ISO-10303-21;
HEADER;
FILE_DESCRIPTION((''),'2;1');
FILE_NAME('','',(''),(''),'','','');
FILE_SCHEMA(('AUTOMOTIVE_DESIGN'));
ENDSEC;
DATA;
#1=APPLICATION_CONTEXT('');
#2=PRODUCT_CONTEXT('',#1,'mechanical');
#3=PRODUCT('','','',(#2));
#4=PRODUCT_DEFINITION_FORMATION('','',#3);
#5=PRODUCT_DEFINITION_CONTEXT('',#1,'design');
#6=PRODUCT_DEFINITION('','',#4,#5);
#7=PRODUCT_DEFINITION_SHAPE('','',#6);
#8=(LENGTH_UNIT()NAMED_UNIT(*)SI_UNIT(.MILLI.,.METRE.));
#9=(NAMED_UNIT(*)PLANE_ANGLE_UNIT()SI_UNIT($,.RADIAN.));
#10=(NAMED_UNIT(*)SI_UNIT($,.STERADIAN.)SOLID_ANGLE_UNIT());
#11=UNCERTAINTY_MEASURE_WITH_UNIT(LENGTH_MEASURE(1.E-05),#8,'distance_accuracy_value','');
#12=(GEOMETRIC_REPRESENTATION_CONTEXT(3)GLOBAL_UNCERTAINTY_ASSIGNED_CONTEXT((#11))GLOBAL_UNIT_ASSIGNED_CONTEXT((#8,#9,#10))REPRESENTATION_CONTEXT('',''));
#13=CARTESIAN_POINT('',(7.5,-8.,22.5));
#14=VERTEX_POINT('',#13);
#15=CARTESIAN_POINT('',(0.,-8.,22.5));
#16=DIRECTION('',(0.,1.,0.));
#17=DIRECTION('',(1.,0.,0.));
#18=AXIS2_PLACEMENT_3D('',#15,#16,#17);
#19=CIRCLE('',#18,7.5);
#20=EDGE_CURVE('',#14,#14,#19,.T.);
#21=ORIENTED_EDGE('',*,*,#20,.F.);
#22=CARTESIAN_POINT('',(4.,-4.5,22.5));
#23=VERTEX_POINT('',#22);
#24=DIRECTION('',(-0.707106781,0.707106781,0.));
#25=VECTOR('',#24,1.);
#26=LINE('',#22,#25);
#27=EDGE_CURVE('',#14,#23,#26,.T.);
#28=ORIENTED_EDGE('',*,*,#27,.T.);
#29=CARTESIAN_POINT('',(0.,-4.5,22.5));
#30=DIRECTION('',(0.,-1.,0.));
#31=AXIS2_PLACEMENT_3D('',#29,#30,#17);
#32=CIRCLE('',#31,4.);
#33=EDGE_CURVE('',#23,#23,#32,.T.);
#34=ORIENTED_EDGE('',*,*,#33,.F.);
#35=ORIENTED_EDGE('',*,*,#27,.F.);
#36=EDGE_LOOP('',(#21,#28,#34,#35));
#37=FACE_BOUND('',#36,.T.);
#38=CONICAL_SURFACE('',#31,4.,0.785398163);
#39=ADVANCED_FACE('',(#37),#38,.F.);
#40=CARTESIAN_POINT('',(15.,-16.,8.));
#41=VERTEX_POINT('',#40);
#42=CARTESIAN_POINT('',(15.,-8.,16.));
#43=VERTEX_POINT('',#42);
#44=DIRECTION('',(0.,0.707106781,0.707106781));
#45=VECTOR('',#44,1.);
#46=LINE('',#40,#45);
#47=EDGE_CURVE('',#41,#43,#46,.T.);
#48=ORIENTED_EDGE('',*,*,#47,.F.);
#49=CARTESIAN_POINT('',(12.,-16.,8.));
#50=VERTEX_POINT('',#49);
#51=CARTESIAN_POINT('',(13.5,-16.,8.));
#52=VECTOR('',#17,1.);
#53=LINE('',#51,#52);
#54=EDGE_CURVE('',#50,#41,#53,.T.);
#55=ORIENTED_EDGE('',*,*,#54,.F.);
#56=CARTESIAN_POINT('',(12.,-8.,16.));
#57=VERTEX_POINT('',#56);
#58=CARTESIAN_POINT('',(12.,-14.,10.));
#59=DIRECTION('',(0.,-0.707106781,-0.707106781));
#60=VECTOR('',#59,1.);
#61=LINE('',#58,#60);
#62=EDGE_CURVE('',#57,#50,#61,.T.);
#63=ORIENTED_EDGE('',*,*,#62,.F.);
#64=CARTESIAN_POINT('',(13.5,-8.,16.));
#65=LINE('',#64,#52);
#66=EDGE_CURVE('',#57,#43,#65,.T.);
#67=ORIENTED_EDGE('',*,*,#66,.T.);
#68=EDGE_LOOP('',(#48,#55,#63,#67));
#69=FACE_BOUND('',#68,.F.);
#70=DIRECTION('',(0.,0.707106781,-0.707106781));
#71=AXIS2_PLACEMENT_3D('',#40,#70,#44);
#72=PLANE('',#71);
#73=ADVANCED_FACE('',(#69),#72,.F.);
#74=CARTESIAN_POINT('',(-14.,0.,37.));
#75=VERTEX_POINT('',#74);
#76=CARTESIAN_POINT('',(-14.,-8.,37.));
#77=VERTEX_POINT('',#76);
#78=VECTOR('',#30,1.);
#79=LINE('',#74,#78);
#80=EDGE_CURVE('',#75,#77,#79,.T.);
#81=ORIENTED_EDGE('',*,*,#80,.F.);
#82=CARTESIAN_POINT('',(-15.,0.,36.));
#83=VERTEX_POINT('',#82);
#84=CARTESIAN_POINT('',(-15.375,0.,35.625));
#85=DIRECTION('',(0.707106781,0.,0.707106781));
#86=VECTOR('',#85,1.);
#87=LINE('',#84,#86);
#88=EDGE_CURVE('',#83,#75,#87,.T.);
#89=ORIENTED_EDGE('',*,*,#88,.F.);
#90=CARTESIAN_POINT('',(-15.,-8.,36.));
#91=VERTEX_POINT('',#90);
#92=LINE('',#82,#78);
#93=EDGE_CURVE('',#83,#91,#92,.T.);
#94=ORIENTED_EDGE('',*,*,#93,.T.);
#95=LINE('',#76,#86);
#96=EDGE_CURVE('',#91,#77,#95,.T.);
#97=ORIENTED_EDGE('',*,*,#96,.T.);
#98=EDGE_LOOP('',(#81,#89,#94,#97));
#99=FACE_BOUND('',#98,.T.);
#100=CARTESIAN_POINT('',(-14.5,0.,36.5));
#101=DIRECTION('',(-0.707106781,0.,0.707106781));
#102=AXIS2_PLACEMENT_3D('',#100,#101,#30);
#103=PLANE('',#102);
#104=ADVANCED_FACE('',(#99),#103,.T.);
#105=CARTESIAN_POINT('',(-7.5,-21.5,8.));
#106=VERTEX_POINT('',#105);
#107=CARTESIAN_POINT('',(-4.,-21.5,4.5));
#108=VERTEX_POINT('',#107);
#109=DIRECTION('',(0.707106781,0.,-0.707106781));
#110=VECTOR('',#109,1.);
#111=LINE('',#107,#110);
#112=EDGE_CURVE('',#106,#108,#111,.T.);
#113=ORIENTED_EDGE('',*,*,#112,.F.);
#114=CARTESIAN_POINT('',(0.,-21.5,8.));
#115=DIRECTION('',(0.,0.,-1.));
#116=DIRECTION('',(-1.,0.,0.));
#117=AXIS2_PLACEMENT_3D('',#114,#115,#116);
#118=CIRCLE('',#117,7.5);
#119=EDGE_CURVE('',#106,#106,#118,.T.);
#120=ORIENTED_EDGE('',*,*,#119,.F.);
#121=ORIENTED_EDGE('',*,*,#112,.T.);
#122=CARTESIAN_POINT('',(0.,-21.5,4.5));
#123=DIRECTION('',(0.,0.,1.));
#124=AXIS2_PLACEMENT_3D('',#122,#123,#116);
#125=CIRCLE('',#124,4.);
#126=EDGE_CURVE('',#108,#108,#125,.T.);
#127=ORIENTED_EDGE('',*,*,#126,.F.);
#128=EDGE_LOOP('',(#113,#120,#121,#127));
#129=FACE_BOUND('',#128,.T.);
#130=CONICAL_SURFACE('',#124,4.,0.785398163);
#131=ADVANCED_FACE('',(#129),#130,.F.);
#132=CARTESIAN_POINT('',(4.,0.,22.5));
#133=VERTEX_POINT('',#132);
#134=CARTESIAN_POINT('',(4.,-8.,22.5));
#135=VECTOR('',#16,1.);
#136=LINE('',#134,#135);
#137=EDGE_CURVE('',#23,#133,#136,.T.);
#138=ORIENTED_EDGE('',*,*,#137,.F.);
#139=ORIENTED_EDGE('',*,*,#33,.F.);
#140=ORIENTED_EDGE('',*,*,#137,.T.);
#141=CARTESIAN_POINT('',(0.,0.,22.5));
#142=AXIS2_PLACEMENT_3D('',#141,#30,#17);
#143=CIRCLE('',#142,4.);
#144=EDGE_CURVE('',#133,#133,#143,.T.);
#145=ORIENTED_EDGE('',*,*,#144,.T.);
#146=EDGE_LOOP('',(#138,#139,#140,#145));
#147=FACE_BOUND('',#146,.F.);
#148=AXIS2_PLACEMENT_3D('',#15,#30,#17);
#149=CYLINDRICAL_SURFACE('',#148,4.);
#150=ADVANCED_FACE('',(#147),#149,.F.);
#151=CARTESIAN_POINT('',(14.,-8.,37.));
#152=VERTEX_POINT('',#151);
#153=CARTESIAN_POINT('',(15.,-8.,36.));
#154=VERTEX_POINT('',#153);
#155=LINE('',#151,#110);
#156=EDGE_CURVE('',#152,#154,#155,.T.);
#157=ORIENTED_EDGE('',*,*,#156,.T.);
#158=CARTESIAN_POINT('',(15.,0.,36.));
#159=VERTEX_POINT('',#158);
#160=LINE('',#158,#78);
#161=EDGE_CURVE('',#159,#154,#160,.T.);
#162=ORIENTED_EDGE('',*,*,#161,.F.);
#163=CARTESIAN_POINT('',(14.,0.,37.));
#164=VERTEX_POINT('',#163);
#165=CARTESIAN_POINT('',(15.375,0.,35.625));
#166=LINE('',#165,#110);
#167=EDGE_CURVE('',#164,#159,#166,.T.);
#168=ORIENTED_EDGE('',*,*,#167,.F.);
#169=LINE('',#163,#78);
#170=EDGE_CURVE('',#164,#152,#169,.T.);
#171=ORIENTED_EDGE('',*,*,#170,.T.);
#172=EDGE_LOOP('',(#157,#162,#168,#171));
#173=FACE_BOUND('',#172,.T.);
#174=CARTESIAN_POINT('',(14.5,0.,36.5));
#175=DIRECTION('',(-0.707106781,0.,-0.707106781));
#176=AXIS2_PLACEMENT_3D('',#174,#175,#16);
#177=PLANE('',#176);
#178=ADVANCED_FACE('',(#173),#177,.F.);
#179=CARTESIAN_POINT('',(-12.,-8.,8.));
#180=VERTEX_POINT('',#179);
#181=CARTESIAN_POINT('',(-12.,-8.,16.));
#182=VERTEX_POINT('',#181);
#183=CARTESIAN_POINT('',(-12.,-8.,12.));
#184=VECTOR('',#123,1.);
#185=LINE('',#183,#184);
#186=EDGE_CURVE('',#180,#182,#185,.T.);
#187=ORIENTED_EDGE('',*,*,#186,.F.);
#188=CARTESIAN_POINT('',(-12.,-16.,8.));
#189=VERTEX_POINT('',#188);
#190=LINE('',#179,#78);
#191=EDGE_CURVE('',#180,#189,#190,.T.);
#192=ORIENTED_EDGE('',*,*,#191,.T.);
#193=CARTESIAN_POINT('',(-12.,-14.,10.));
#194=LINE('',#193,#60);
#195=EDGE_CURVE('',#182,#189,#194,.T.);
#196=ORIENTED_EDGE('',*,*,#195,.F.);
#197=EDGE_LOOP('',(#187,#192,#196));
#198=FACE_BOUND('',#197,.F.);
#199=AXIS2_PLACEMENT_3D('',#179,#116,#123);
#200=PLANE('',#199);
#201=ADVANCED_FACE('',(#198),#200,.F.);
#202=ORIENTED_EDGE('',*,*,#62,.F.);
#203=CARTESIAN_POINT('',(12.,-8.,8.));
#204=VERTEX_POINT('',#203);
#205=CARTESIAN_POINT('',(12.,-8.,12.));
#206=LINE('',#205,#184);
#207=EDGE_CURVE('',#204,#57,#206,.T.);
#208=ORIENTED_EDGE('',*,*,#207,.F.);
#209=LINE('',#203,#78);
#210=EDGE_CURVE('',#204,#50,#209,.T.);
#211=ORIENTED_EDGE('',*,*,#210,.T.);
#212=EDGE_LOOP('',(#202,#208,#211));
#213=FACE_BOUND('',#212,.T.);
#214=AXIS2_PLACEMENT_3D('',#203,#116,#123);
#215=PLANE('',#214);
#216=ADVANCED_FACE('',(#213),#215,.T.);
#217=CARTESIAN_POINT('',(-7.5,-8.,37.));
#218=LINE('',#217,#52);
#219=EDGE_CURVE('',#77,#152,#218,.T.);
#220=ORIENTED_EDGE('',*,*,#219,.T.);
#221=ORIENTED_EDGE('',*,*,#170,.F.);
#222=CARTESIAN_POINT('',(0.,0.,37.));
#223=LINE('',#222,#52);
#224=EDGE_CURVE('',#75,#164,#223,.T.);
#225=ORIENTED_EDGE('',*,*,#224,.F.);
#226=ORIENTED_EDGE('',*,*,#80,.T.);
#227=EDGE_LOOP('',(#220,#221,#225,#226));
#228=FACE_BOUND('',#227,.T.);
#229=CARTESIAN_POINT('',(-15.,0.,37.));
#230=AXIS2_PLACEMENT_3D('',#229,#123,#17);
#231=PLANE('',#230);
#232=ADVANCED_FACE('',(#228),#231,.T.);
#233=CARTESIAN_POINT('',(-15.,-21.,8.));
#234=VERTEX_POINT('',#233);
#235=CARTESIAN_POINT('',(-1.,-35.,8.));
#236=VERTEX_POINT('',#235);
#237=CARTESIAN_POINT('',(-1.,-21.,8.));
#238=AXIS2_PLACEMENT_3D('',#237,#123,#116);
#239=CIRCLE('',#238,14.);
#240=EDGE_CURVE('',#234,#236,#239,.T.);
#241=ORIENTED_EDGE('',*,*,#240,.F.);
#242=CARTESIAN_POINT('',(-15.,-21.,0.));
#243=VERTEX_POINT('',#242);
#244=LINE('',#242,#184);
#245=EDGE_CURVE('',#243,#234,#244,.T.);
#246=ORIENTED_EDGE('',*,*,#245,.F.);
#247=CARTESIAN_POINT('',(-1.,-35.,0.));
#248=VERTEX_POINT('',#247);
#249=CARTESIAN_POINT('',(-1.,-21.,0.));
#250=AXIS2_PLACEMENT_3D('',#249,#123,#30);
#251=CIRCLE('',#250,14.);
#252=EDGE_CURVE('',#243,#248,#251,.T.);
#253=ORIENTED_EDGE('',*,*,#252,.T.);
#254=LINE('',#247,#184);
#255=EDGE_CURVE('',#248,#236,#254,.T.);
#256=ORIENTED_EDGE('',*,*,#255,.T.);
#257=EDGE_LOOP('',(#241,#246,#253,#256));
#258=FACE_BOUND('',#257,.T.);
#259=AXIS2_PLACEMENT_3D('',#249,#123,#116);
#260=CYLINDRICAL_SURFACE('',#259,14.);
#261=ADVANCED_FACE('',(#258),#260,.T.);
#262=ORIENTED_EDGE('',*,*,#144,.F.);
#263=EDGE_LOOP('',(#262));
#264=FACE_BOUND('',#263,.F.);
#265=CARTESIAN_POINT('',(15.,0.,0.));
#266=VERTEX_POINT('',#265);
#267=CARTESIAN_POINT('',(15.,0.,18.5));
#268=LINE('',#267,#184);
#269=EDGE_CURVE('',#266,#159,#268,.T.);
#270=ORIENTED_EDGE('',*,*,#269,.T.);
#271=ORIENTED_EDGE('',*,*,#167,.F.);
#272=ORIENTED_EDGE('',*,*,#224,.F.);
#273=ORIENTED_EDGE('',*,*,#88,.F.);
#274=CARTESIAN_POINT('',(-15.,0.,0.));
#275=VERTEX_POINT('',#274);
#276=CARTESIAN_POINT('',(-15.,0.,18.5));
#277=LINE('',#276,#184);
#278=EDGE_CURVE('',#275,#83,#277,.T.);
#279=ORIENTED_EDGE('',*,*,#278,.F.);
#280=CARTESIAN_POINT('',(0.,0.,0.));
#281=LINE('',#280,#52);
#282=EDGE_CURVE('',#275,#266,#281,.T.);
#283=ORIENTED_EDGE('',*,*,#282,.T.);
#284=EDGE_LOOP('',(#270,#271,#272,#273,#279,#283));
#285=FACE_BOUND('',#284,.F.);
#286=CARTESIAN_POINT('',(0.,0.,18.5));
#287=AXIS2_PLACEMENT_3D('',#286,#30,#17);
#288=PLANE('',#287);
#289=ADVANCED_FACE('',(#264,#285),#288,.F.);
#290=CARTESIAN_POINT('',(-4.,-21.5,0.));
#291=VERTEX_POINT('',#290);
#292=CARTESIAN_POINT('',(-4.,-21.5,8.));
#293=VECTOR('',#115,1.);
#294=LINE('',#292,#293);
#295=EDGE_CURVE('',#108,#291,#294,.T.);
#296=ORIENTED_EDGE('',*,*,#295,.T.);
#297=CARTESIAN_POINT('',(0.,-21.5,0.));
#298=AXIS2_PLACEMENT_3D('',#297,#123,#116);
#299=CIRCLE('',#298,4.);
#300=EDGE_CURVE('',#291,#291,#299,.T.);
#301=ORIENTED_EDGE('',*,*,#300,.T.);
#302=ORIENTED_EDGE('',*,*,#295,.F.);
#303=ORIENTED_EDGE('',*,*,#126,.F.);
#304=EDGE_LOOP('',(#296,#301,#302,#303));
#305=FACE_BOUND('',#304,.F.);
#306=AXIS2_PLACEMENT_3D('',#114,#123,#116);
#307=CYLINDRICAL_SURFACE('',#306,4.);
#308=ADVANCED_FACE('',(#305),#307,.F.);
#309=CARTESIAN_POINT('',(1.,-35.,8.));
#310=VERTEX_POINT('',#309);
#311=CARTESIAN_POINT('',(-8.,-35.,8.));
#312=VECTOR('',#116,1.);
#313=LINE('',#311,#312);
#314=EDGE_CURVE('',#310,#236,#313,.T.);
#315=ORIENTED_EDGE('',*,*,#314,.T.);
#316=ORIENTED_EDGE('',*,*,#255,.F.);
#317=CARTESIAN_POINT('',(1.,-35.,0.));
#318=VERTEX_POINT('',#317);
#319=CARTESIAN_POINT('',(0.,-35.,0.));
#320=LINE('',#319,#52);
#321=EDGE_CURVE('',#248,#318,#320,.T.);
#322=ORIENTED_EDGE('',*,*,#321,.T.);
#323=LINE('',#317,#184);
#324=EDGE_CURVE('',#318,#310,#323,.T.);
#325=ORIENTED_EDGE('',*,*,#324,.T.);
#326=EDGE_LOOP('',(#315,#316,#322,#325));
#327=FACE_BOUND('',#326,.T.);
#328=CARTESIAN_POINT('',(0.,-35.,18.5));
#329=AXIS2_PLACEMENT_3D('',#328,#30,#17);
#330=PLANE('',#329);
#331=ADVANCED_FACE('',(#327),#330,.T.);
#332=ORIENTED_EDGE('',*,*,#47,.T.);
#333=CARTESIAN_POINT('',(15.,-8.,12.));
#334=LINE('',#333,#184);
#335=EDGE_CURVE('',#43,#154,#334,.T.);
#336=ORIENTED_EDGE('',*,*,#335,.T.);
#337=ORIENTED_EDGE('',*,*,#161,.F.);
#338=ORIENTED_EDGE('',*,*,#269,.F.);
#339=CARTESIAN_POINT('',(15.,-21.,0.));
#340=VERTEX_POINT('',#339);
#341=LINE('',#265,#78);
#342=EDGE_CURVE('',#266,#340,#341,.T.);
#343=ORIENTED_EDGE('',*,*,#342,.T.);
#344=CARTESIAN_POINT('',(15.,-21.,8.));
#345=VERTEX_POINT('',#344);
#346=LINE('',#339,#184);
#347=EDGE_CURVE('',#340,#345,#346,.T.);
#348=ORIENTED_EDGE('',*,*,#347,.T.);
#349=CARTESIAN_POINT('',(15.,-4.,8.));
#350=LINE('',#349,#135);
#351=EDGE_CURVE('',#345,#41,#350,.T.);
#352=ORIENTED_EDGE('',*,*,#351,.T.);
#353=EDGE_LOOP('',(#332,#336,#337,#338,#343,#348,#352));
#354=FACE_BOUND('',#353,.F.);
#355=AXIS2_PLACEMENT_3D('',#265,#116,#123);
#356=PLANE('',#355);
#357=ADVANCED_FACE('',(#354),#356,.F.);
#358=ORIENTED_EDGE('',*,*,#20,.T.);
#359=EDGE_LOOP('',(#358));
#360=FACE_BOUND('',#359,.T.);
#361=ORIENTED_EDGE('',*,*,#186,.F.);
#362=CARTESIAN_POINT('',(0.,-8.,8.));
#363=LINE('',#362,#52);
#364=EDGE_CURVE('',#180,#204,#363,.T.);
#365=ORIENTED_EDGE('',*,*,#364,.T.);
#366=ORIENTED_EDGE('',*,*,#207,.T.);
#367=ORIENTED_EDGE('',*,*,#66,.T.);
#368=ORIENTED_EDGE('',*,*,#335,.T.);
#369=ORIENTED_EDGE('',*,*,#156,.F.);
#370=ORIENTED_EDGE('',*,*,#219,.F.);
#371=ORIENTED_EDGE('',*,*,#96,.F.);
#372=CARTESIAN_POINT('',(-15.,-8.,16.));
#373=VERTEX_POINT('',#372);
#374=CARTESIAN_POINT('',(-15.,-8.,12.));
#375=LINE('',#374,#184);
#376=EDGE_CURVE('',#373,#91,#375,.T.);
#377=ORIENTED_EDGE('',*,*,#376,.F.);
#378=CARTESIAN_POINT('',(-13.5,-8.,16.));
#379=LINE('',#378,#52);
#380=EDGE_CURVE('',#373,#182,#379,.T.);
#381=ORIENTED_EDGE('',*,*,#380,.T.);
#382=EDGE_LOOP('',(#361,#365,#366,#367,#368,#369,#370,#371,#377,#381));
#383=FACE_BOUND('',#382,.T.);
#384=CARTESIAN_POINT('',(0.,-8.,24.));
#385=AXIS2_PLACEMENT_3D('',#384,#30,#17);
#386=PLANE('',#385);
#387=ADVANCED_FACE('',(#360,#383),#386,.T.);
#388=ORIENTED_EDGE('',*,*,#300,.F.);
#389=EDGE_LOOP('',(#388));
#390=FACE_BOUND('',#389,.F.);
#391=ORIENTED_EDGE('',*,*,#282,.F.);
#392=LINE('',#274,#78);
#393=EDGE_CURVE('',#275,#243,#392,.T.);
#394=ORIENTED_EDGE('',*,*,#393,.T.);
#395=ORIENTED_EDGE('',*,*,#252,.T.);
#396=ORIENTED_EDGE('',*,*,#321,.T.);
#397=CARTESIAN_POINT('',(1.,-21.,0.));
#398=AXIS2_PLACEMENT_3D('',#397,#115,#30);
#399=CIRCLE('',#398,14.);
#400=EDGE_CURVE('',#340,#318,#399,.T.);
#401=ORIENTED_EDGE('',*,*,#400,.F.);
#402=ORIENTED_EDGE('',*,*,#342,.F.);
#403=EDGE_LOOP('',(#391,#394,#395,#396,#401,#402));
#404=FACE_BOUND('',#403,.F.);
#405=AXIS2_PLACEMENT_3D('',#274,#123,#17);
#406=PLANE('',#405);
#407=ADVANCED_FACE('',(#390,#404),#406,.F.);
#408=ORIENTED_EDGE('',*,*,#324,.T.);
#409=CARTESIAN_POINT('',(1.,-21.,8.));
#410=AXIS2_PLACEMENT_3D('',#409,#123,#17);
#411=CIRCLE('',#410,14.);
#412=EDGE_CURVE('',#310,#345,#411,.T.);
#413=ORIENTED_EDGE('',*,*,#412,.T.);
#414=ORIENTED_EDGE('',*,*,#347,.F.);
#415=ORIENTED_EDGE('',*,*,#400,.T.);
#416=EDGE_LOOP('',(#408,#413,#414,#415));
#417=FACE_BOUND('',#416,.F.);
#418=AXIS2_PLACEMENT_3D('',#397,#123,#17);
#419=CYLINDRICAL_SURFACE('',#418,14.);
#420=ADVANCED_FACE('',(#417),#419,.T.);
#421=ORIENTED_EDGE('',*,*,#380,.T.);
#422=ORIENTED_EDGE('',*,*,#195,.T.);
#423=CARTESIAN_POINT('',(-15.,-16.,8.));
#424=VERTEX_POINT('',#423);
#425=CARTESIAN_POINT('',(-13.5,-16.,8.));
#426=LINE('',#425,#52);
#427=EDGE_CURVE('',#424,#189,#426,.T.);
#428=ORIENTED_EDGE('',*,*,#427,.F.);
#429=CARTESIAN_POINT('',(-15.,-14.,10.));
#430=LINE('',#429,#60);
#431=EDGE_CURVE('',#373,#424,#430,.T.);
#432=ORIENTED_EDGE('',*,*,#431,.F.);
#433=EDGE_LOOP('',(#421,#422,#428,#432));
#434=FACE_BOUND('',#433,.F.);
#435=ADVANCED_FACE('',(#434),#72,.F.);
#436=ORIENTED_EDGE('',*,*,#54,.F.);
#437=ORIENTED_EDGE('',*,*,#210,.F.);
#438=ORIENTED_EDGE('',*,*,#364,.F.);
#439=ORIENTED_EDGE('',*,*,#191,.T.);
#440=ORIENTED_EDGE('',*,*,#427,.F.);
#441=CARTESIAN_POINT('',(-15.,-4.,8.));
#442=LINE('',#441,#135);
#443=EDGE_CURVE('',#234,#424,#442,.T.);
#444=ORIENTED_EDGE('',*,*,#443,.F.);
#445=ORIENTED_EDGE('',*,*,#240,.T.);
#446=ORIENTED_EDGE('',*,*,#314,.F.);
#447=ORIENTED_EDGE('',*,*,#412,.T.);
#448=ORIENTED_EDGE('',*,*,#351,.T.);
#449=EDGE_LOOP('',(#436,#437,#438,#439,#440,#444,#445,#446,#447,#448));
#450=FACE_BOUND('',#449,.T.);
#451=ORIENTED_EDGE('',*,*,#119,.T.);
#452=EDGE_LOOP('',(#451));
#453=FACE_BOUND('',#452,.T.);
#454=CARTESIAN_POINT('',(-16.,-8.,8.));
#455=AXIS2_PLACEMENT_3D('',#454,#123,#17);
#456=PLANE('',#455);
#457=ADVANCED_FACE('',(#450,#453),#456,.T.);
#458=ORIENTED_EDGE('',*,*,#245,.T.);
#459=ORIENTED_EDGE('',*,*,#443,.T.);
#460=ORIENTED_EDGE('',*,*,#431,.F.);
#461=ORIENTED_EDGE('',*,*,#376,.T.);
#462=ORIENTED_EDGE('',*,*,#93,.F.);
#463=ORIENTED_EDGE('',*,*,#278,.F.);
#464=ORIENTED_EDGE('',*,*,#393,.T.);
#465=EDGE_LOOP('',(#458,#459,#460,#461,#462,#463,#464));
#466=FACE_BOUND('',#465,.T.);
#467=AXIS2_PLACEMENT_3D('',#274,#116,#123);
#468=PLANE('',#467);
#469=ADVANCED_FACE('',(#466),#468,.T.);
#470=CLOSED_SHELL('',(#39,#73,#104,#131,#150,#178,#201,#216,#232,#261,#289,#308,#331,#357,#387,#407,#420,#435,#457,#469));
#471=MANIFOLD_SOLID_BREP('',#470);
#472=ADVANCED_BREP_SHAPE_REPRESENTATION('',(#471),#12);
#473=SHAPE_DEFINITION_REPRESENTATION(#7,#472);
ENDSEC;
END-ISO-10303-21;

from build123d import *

# Parameters (mm, degrees)
SKETCH_W        = 30
SKETCH_H        = 37
PAD_DEPTH       = 35
FILLET_R        = 14
BOX_W           = 32
BOX_H           = 32
BOX_DEPTH       = 32
SKETCH001_R     = 4
POCKET_DEPTH    = 8
SKETCH002_R     = 4
POCKET001_DEPTH = 8
CHAMFER_SIZE    = 3.5
CHAMFER001_SIZE = 1
SKETCH003_W     = 3
SKETCH003_H     = 8
PAD001_DEPTH    = 8
POCKET002_DEPTH = 30.001


with BuildPart() as part:
    # Sketch → Pad (new body)
    with BuildSketch(Plane.XZ):
        with Locations((0, 18.5)):
            Rectangle(SKETCH_W, SKETCH_H)
    extrude(amount=PAD_DEPTH)

    # Fillet
    fillet_edges = [part.edges().sort_by_distance(p)[0] for p in [
        (15, -35, 18.5),
        (-15, -35, 18.5),
    ]]
    fillet(fillet_edges, radius=FILLET_R)

    # Box → Box (cut)
    with BuildSketch(Plane(origin=(-16, -8, 8), x_dir=(1, 0, 0), z_dir=(0, -1, 0))):
        with Locations((16, 16)):
            Rectangle(BOX_W, BOX_H)
    extrude(amount=BOX_DEPTH, mode=Mode.SUBTRACT)

    # Sketch001 (on Face6 of Box) → Pocket (cut)
    with BuildSketch(Plane(origin=(0, -8, 22.5), x_dir=(1, 0, 0), z_dir=(0, -1, 0))):
        Circle(SKETCH001_R)
    extrude(amount=-POCKET_DEPTH, mode=Mode.SUBTRACT)

    # Sketch002 (on Face5 of Pocket) → Pocket001 (cut)
    with BuildSketch(Plane(origin=(0, -21.5, 8), x_dir=(-1, 0, 0), z_dir=(0, 0, 1))):
        Circle(SKETCH002_R)
    extrude(amount=-POCKET001_DEPTH, mode=Mode.SUBTRACT)

    # Chamfer
    chamfer_edges = [part.edges().sort_by_distance(p)[0] for p in [
        (-4, -8, 22.5),
        (4, -21.5, 8),
    ]]
    chamfer(chamfer_edges, length=CHAMFER_SIZE)

    # Chamfer001
    chamfer001_edges = [part.edges().sort_by_distance(p)[0] for p in [
        (15, -4, 37),
        (-15, -4, 37),
    ]]
    chamfer(chamfer001_edges, length=CHAMFER001_SIZE)

    # Sketch003 (on Face1 of Chamfer001) → Pad001 (join)
    with BuildSketch(Plane(origin=(0, -8, 8), x_dir=(1, 0, 0), z_dir=(0, -1, 0))):
        with Locations((13.5, 4)):
            Rectangle(SKETCH003_W, SKETCH003_H)
        with Locations((-13.5, 4)):
            Rectangle(SKETCH003_W, SKETCH003_H)
    extrude(amount=PAD001_DEPTH)

    # Sketch004 (on Face21 of Pad001) → Pocket002 (cut, through all)
    with BuildSketch(Plane(origin=(15, -8, 8), x_dir=(0, 0, 1), z_dir=(1, 0, 0))):
        Polygon((0, 8), (8, 0), (8, 8), align=None)
    extrude(amount=-POCKET002_DEPTH, mode=Mode.SUBTRACT)


solid = part.part
